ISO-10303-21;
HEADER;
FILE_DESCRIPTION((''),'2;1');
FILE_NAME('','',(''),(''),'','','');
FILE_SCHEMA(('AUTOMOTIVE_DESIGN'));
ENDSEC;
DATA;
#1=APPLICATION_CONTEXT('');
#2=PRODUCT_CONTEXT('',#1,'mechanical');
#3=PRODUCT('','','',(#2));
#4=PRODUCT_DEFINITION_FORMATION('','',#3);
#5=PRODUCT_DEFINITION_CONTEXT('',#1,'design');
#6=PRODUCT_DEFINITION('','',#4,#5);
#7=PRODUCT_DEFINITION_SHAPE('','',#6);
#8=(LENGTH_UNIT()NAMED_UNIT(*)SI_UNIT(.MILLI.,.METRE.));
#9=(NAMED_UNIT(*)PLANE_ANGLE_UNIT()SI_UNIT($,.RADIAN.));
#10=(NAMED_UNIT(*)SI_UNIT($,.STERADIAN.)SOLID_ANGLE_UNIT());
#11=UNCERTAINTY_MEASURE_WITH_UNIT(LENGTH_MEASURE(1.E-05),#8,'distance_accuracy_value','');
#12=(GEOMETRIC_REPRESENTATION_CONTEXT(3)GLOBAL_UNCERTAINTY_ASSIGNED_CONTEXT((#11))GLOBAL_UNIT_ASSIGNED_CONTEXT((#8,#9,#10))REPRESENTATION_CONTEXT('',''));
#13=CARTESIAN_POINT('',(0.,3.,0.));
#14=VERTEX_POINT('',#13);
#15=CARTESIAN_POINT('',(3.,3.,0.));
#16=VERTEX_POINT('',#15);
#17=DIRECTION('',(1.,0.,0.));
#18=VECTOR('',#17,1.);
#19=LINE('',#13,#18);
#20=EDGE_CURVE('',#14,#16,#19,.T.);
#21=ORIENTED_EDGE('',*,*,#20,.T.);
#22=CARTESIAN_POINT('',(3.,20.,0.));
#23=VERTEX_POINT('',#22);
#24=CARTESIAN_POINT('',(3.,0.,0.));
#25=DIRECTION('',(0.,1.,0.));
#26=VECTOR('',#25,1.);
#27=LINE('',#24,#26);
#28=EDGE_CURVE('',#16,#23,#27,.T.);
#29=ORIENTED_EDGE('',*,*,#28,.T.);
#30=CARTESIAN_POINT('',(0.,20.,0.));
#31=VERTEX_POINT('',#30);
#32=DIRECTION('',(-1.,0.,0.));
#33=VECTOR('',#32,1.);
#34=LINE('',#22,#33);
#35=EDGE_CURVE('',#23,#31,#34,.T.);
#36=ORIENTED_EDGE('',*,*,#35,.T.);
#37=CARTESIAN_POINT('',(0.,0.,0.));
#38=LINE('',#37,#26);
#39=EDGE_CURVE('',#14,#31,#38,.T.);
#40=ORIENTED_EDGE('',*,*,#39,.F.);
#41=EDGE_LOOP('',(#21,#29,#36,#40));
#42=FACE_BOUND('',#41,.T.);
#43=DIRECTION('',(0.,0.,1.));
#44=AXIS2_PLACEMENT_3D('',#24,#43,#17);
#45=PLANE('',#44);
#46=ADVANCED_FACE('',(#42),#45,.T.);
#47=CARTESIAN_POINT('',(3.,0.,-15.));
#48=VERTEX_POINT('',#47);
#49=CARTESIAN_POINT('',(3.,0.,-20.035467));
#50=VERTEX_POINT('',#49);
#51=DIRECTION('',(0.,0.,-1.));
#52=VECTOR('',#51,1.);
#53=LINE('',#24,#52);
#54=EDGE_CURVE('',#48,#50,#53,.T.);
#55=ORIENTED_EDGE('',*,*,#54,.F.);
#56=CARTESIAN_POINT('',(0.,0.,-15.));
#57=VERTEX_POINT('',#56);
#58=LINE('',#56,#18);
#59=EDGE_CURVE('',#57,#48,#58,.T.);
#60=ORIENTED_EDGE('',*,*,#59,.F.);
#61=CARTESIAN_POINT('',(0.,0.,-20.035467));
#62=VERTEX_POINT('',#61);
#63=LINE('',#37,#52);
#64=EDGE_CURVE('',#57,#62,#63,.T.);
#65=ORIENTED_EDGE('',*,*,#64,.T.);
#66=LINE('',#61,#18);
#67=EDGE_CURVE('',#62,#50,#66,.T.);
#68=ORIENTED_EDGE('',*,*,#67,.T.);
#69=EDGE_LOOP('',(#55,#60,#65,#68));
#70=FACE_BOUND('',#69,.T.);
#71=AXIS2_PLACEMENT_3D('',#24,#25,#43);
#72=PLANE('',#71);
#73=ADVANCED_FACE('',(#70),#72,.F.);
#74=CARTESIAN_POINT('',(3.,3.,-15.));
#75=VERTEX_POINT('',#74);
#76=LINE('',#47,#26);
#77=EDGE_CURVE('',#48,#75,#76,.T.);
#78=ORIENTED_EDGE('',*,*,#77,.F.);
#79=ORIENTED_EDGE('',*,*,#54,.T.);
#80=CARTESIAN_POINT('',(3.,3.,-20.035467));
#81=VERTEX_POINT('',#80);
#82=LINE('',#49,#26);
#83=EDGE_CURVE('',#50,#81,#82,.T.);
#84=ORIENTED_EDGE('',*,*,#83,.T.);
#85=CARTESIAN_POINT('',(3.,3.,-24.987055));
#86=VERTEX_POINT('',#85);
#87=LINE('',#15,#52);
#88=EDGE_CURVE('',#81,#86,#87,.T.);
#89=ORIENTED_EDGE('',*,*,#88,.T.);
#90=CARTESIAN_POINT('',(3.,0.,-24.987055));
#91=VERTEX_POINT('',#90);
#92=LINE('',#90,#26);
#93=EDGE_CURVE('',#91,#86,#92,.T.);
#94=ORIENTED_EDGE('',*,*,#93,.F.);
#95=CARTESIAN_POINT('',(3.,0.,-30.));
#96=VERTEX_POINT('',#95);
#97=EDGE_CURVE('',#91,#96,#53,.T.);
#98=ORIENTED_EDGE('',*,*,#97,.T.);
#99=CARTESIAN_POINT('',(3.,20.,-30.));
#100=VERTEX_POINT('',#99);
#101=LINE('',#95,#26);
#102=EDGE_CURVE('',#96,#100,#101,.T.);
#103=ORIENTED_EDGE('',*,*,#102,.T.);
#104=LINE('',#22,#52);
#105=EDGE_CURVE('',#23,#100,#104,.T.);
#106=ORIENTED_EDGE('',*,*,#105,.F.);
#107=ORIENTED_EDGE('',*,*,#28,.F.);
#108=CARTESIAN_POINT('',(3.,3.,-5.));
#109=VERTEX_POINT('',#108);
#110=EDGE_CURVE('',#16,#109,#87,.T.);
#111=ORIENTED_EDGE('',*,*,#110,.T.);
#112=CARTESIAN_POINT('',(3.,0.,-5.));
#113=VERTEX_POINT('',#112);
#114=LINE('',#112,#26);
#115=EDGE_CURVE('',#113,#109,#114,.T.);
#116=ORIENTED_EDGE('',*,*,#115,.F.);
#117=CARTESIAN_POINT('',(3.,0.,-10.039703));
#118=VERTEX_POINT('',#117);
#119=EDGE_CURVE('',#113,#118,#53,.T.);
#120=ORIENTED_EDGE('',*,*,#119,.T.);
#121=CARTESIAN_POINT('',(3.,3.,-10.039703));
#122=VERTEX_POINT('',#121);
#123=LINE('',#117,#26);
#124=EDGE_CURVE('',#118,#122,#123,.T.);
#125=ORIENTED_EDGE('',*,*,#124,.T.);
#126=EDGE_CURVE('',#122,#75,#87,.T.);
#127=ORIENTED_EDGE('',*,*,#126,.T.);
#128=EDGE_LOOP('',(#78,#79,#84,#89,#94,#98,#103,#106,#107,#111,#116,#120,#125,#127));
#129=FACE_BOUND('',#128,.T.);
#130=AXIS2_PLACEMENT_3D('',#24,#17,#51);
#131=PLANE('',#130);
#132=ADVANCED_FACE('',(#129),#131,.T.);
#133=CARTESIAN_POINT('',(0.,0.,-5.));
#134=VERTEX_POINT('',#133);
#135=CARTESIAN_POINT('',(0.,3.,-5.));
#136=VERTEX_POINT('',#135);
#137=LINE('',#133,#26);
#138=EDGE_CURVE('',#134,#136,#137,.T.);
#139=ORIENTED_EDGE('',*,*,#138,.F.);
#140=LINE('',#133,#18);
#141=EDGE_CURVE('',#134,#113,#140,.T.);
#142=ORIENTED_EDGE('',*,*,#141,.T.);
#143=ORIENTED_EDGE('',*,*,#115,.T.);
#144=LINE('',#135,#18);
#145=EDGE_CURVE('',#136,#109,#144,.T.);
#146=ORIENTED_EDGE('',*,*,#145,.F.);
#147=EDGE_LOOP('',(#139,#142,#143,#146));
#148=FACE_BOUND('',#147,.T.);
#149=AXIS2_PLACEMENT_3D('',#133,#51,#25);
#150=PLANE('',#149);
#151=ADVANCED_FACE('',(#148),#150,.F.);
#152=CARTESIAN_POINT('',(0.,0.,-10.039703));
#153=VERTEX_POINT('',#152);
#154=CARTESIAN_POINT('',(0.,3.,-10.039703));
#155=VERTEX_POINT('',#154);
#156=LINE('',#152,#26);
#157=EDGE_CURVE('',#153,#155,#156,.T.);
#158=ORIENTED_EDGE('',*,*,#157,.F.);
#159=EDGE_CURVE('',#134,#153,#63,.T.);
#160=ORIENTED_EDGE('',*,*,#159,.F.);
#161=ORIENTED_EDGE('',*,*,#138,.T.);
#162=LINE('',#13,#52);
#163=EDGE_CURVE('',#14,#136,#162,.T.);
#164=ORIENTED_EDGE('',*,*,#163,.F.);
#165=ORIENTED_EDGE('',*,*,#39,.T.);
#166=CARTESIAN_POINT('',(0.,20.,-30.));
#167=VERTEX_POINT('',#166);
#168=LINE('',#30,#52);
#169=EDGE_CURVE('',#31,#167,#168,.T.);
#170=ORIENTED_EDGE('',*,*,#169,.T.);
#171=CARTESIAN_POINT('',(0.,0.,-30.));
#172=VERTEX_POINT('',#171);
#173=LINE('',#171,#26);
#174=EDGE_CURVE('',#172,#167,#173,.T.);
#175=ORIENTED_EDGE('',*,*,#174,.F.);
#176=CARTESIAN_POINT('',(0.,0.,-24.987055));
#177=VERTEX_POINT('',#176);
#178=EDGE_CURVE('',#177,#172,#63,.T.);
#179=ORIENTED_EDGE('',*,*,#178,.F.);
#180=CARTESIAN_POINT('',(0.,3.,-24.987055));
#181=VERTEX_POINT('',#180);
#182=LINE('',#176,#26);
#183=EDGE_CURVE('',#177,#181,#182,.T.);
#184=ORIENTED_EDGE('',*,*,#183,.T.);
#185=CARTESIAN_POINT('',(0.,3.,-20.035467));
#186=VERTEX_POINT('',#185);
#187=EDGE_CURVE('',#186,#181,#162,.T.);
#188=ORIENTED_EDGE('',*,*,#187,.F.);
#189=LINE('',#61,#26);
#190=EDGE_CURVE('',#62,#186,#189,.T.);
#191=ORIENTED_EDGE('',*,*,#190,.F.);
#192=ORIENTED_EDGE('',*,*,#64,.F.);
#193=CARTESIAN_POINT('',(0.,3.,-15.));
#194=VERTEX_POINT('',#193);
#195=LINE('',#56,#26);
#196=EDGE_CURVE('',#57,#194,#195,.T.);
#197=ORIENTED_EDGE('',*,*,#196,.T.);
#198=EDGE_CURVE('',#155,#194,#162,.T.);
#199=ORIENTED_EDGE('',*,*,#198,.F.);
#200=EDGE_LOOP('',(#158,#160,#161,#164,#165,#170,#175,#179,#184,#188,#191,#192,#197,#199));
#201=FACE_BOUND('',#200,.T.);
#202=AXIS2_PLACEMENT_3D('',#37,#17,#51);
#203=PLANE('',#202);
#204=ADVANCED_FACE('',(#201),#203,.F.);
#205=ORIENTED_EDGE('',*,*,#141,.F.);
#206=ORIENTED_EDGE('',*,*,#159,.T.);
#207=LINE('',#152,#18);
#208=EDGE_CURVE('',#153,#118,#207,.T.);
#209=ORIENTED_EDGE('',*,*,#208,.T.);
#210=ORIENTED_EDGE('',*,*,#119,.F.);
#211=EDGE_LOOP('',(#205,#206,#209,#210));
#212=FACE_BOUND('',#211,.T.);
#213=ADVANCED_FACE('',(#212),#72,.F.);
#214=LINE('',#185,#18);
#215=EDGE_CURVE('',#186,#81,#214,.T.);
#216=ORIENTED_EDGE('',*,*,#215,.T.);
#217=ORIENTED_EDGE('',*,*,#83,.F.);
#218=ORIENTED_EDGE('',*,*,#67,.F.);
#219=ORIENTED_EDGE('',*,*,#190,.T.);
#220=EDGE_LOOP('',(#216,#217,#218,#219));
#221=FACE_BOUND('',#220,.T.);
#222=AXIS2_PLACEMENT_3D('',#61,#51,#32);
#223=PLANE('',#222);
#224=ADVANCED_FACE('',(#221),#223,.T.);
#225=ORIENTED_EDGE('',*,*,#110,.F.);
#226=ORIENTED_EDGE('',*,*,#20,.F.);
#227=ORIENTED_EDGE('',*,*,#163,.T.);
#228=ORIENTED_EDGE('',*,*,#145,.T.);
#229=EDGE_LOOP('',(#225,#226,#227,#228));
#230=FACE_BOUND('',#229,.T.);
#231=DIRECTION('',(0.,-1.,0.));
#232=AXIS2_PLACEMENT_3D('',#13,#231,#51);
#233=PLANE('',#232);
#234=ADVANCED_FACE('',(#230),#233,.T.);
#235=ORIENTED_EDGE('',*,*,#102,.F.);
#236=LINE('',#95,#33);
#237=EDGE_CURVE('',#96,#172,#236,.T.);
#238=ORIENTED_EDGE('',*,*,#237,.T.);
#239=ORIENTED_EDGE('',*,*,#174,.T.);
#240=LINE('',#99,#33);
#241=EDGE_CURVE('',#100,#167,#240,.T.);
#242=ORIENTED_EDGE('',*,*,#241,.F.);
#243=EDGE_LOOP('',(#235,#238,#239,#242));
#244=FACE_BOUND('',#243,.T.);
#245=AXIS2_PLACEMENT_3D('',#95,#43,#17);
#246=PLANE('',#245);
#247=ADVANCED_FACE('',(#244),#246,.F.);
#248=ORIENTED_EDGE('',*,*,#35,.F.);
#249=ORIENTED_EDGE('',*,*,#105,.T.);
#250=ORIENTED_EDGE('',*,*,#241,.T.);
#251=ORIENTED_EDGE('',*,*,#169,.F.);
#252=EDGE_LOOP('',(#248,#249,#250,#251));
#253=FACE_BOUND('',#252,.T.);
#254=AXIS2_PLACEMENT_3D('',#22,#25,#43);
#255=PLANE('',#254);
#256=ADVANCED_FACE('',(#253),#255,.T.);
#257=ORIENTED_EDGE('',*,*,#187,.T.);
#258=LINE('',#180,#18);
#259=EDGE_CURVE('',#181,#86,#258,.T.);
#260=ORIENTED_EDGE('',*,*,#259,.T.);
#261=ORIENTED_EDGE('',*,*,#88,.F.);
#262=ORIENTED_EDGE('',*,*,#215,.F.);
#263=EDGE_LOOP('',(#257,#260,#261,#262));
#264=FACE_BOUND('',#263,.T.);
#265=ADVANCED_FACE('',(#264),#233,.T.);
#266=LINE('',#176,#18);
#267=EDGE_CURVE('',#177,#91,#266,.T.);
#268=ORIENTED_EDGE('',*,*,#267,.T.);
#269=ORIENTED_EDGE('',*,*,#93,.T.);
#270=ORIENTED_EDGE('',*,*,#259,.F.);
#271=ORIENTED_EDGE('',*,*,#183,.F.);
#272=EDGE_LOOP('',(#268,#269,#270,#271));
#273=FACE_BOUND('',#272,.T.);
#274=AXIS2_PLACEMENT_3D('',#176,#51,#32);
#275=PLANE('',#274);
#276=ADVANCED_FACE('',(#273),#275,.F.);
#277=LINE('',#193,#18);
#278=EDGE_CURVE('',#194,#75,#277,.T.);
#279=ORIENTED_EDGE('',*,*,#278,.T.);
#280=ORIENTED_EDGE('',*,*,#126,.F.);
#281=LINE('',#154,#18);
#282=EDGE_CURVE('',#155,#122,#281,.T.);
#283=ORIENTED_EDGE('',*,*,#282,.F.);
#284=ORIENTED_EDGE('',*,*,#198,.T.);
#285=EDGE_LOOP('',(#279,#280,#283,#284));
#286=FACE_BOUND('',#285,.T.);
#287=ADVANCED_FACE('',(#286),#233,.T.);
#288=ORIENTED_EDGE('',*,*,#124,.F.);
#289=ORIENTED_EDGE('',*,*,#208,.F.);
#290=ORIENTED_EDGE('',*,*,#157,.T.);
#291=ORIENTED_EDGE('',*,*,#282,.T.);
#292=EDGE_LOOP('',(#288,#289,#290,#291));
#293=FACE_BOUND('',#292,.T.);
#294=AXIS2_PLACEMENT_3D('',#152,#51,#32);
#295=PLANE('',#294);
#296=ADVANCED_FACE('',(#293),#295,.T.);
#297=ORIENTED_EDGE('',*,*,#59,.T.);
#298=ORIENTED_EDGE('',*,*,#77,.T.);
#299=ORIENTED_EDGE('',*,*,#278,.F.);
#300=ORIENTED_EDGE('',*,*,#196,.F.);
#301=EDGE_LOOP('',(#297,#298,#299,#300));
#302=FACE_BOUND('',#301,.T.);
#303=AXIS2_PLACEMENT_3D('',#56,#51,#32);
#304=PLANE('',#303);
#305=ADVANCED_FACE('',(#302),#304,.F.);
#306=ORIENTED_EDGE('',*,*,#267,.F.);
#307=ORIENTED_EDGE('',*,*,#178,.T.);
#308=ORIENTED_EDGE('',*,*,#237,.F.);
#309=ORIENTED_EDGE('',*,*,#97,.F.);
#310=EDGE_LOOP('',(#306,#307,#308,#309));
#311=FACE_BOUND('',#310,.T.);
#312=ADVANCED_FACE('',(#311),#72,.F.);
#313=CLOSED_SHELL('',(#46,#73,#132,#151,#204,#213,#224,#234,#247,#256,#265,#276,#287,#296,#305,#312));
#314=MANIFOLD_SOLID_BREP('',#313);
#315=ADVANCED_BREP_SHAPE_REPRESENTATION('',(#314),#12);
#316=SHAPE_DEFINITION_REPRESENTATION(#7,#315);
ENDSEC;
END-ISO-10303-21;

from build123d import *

# Parameters (mm, degrees)
SKETCH2_W           = 30
SKETCH2_H           = 20
BOSS_EXTRUDE2_DEPTH = 3
SKETCH4_W           = 5
SKETCH4_H           = 3
SKETCH4_W_2         = 4.96029665
SKETCH4_W_3         = 4.951588521
CUT_EXTRUDE1_DEPTH  = 3


with BuildPart() as part:
    # Sketch2 → Boss-Extrude2 (new body)
    with BuildSketch(Plane(origin=(0, 0, 0), x_dir=(0, 0, -1), z_dir=(1, 0, 0))):
        with Locations((15, 10)):
            Rectangle(SKETCH2_W, SKETCH2_H)
    extrude(amount=BOSS_EXTRUDE2_DEPTH)

    # Sketch4 → Cut-Extrude1 (cut)
    with BuildSketch(Plane(origin=(3, 0, 0), x_dir=(0, 0, -1), z_dir=(1, 0, 0))):
        with Locations((2.5, 1.5)):
            Rectangle(SKETCH4_W, SKETCH4_H)
        with Locations((12.519851675, 1.5)):
            Rectangle(SKETCH4_W_2, SKETCH4_H)
        with Locations((22.511261121, 1.5)):
            Rectangle(SKETCH4_W_3, SKETCH4_H)
    extrude(amount=-CUT_EXTRUDE1_DEPTH, mode=Mode.SUBTRACT)


solid = part.part
